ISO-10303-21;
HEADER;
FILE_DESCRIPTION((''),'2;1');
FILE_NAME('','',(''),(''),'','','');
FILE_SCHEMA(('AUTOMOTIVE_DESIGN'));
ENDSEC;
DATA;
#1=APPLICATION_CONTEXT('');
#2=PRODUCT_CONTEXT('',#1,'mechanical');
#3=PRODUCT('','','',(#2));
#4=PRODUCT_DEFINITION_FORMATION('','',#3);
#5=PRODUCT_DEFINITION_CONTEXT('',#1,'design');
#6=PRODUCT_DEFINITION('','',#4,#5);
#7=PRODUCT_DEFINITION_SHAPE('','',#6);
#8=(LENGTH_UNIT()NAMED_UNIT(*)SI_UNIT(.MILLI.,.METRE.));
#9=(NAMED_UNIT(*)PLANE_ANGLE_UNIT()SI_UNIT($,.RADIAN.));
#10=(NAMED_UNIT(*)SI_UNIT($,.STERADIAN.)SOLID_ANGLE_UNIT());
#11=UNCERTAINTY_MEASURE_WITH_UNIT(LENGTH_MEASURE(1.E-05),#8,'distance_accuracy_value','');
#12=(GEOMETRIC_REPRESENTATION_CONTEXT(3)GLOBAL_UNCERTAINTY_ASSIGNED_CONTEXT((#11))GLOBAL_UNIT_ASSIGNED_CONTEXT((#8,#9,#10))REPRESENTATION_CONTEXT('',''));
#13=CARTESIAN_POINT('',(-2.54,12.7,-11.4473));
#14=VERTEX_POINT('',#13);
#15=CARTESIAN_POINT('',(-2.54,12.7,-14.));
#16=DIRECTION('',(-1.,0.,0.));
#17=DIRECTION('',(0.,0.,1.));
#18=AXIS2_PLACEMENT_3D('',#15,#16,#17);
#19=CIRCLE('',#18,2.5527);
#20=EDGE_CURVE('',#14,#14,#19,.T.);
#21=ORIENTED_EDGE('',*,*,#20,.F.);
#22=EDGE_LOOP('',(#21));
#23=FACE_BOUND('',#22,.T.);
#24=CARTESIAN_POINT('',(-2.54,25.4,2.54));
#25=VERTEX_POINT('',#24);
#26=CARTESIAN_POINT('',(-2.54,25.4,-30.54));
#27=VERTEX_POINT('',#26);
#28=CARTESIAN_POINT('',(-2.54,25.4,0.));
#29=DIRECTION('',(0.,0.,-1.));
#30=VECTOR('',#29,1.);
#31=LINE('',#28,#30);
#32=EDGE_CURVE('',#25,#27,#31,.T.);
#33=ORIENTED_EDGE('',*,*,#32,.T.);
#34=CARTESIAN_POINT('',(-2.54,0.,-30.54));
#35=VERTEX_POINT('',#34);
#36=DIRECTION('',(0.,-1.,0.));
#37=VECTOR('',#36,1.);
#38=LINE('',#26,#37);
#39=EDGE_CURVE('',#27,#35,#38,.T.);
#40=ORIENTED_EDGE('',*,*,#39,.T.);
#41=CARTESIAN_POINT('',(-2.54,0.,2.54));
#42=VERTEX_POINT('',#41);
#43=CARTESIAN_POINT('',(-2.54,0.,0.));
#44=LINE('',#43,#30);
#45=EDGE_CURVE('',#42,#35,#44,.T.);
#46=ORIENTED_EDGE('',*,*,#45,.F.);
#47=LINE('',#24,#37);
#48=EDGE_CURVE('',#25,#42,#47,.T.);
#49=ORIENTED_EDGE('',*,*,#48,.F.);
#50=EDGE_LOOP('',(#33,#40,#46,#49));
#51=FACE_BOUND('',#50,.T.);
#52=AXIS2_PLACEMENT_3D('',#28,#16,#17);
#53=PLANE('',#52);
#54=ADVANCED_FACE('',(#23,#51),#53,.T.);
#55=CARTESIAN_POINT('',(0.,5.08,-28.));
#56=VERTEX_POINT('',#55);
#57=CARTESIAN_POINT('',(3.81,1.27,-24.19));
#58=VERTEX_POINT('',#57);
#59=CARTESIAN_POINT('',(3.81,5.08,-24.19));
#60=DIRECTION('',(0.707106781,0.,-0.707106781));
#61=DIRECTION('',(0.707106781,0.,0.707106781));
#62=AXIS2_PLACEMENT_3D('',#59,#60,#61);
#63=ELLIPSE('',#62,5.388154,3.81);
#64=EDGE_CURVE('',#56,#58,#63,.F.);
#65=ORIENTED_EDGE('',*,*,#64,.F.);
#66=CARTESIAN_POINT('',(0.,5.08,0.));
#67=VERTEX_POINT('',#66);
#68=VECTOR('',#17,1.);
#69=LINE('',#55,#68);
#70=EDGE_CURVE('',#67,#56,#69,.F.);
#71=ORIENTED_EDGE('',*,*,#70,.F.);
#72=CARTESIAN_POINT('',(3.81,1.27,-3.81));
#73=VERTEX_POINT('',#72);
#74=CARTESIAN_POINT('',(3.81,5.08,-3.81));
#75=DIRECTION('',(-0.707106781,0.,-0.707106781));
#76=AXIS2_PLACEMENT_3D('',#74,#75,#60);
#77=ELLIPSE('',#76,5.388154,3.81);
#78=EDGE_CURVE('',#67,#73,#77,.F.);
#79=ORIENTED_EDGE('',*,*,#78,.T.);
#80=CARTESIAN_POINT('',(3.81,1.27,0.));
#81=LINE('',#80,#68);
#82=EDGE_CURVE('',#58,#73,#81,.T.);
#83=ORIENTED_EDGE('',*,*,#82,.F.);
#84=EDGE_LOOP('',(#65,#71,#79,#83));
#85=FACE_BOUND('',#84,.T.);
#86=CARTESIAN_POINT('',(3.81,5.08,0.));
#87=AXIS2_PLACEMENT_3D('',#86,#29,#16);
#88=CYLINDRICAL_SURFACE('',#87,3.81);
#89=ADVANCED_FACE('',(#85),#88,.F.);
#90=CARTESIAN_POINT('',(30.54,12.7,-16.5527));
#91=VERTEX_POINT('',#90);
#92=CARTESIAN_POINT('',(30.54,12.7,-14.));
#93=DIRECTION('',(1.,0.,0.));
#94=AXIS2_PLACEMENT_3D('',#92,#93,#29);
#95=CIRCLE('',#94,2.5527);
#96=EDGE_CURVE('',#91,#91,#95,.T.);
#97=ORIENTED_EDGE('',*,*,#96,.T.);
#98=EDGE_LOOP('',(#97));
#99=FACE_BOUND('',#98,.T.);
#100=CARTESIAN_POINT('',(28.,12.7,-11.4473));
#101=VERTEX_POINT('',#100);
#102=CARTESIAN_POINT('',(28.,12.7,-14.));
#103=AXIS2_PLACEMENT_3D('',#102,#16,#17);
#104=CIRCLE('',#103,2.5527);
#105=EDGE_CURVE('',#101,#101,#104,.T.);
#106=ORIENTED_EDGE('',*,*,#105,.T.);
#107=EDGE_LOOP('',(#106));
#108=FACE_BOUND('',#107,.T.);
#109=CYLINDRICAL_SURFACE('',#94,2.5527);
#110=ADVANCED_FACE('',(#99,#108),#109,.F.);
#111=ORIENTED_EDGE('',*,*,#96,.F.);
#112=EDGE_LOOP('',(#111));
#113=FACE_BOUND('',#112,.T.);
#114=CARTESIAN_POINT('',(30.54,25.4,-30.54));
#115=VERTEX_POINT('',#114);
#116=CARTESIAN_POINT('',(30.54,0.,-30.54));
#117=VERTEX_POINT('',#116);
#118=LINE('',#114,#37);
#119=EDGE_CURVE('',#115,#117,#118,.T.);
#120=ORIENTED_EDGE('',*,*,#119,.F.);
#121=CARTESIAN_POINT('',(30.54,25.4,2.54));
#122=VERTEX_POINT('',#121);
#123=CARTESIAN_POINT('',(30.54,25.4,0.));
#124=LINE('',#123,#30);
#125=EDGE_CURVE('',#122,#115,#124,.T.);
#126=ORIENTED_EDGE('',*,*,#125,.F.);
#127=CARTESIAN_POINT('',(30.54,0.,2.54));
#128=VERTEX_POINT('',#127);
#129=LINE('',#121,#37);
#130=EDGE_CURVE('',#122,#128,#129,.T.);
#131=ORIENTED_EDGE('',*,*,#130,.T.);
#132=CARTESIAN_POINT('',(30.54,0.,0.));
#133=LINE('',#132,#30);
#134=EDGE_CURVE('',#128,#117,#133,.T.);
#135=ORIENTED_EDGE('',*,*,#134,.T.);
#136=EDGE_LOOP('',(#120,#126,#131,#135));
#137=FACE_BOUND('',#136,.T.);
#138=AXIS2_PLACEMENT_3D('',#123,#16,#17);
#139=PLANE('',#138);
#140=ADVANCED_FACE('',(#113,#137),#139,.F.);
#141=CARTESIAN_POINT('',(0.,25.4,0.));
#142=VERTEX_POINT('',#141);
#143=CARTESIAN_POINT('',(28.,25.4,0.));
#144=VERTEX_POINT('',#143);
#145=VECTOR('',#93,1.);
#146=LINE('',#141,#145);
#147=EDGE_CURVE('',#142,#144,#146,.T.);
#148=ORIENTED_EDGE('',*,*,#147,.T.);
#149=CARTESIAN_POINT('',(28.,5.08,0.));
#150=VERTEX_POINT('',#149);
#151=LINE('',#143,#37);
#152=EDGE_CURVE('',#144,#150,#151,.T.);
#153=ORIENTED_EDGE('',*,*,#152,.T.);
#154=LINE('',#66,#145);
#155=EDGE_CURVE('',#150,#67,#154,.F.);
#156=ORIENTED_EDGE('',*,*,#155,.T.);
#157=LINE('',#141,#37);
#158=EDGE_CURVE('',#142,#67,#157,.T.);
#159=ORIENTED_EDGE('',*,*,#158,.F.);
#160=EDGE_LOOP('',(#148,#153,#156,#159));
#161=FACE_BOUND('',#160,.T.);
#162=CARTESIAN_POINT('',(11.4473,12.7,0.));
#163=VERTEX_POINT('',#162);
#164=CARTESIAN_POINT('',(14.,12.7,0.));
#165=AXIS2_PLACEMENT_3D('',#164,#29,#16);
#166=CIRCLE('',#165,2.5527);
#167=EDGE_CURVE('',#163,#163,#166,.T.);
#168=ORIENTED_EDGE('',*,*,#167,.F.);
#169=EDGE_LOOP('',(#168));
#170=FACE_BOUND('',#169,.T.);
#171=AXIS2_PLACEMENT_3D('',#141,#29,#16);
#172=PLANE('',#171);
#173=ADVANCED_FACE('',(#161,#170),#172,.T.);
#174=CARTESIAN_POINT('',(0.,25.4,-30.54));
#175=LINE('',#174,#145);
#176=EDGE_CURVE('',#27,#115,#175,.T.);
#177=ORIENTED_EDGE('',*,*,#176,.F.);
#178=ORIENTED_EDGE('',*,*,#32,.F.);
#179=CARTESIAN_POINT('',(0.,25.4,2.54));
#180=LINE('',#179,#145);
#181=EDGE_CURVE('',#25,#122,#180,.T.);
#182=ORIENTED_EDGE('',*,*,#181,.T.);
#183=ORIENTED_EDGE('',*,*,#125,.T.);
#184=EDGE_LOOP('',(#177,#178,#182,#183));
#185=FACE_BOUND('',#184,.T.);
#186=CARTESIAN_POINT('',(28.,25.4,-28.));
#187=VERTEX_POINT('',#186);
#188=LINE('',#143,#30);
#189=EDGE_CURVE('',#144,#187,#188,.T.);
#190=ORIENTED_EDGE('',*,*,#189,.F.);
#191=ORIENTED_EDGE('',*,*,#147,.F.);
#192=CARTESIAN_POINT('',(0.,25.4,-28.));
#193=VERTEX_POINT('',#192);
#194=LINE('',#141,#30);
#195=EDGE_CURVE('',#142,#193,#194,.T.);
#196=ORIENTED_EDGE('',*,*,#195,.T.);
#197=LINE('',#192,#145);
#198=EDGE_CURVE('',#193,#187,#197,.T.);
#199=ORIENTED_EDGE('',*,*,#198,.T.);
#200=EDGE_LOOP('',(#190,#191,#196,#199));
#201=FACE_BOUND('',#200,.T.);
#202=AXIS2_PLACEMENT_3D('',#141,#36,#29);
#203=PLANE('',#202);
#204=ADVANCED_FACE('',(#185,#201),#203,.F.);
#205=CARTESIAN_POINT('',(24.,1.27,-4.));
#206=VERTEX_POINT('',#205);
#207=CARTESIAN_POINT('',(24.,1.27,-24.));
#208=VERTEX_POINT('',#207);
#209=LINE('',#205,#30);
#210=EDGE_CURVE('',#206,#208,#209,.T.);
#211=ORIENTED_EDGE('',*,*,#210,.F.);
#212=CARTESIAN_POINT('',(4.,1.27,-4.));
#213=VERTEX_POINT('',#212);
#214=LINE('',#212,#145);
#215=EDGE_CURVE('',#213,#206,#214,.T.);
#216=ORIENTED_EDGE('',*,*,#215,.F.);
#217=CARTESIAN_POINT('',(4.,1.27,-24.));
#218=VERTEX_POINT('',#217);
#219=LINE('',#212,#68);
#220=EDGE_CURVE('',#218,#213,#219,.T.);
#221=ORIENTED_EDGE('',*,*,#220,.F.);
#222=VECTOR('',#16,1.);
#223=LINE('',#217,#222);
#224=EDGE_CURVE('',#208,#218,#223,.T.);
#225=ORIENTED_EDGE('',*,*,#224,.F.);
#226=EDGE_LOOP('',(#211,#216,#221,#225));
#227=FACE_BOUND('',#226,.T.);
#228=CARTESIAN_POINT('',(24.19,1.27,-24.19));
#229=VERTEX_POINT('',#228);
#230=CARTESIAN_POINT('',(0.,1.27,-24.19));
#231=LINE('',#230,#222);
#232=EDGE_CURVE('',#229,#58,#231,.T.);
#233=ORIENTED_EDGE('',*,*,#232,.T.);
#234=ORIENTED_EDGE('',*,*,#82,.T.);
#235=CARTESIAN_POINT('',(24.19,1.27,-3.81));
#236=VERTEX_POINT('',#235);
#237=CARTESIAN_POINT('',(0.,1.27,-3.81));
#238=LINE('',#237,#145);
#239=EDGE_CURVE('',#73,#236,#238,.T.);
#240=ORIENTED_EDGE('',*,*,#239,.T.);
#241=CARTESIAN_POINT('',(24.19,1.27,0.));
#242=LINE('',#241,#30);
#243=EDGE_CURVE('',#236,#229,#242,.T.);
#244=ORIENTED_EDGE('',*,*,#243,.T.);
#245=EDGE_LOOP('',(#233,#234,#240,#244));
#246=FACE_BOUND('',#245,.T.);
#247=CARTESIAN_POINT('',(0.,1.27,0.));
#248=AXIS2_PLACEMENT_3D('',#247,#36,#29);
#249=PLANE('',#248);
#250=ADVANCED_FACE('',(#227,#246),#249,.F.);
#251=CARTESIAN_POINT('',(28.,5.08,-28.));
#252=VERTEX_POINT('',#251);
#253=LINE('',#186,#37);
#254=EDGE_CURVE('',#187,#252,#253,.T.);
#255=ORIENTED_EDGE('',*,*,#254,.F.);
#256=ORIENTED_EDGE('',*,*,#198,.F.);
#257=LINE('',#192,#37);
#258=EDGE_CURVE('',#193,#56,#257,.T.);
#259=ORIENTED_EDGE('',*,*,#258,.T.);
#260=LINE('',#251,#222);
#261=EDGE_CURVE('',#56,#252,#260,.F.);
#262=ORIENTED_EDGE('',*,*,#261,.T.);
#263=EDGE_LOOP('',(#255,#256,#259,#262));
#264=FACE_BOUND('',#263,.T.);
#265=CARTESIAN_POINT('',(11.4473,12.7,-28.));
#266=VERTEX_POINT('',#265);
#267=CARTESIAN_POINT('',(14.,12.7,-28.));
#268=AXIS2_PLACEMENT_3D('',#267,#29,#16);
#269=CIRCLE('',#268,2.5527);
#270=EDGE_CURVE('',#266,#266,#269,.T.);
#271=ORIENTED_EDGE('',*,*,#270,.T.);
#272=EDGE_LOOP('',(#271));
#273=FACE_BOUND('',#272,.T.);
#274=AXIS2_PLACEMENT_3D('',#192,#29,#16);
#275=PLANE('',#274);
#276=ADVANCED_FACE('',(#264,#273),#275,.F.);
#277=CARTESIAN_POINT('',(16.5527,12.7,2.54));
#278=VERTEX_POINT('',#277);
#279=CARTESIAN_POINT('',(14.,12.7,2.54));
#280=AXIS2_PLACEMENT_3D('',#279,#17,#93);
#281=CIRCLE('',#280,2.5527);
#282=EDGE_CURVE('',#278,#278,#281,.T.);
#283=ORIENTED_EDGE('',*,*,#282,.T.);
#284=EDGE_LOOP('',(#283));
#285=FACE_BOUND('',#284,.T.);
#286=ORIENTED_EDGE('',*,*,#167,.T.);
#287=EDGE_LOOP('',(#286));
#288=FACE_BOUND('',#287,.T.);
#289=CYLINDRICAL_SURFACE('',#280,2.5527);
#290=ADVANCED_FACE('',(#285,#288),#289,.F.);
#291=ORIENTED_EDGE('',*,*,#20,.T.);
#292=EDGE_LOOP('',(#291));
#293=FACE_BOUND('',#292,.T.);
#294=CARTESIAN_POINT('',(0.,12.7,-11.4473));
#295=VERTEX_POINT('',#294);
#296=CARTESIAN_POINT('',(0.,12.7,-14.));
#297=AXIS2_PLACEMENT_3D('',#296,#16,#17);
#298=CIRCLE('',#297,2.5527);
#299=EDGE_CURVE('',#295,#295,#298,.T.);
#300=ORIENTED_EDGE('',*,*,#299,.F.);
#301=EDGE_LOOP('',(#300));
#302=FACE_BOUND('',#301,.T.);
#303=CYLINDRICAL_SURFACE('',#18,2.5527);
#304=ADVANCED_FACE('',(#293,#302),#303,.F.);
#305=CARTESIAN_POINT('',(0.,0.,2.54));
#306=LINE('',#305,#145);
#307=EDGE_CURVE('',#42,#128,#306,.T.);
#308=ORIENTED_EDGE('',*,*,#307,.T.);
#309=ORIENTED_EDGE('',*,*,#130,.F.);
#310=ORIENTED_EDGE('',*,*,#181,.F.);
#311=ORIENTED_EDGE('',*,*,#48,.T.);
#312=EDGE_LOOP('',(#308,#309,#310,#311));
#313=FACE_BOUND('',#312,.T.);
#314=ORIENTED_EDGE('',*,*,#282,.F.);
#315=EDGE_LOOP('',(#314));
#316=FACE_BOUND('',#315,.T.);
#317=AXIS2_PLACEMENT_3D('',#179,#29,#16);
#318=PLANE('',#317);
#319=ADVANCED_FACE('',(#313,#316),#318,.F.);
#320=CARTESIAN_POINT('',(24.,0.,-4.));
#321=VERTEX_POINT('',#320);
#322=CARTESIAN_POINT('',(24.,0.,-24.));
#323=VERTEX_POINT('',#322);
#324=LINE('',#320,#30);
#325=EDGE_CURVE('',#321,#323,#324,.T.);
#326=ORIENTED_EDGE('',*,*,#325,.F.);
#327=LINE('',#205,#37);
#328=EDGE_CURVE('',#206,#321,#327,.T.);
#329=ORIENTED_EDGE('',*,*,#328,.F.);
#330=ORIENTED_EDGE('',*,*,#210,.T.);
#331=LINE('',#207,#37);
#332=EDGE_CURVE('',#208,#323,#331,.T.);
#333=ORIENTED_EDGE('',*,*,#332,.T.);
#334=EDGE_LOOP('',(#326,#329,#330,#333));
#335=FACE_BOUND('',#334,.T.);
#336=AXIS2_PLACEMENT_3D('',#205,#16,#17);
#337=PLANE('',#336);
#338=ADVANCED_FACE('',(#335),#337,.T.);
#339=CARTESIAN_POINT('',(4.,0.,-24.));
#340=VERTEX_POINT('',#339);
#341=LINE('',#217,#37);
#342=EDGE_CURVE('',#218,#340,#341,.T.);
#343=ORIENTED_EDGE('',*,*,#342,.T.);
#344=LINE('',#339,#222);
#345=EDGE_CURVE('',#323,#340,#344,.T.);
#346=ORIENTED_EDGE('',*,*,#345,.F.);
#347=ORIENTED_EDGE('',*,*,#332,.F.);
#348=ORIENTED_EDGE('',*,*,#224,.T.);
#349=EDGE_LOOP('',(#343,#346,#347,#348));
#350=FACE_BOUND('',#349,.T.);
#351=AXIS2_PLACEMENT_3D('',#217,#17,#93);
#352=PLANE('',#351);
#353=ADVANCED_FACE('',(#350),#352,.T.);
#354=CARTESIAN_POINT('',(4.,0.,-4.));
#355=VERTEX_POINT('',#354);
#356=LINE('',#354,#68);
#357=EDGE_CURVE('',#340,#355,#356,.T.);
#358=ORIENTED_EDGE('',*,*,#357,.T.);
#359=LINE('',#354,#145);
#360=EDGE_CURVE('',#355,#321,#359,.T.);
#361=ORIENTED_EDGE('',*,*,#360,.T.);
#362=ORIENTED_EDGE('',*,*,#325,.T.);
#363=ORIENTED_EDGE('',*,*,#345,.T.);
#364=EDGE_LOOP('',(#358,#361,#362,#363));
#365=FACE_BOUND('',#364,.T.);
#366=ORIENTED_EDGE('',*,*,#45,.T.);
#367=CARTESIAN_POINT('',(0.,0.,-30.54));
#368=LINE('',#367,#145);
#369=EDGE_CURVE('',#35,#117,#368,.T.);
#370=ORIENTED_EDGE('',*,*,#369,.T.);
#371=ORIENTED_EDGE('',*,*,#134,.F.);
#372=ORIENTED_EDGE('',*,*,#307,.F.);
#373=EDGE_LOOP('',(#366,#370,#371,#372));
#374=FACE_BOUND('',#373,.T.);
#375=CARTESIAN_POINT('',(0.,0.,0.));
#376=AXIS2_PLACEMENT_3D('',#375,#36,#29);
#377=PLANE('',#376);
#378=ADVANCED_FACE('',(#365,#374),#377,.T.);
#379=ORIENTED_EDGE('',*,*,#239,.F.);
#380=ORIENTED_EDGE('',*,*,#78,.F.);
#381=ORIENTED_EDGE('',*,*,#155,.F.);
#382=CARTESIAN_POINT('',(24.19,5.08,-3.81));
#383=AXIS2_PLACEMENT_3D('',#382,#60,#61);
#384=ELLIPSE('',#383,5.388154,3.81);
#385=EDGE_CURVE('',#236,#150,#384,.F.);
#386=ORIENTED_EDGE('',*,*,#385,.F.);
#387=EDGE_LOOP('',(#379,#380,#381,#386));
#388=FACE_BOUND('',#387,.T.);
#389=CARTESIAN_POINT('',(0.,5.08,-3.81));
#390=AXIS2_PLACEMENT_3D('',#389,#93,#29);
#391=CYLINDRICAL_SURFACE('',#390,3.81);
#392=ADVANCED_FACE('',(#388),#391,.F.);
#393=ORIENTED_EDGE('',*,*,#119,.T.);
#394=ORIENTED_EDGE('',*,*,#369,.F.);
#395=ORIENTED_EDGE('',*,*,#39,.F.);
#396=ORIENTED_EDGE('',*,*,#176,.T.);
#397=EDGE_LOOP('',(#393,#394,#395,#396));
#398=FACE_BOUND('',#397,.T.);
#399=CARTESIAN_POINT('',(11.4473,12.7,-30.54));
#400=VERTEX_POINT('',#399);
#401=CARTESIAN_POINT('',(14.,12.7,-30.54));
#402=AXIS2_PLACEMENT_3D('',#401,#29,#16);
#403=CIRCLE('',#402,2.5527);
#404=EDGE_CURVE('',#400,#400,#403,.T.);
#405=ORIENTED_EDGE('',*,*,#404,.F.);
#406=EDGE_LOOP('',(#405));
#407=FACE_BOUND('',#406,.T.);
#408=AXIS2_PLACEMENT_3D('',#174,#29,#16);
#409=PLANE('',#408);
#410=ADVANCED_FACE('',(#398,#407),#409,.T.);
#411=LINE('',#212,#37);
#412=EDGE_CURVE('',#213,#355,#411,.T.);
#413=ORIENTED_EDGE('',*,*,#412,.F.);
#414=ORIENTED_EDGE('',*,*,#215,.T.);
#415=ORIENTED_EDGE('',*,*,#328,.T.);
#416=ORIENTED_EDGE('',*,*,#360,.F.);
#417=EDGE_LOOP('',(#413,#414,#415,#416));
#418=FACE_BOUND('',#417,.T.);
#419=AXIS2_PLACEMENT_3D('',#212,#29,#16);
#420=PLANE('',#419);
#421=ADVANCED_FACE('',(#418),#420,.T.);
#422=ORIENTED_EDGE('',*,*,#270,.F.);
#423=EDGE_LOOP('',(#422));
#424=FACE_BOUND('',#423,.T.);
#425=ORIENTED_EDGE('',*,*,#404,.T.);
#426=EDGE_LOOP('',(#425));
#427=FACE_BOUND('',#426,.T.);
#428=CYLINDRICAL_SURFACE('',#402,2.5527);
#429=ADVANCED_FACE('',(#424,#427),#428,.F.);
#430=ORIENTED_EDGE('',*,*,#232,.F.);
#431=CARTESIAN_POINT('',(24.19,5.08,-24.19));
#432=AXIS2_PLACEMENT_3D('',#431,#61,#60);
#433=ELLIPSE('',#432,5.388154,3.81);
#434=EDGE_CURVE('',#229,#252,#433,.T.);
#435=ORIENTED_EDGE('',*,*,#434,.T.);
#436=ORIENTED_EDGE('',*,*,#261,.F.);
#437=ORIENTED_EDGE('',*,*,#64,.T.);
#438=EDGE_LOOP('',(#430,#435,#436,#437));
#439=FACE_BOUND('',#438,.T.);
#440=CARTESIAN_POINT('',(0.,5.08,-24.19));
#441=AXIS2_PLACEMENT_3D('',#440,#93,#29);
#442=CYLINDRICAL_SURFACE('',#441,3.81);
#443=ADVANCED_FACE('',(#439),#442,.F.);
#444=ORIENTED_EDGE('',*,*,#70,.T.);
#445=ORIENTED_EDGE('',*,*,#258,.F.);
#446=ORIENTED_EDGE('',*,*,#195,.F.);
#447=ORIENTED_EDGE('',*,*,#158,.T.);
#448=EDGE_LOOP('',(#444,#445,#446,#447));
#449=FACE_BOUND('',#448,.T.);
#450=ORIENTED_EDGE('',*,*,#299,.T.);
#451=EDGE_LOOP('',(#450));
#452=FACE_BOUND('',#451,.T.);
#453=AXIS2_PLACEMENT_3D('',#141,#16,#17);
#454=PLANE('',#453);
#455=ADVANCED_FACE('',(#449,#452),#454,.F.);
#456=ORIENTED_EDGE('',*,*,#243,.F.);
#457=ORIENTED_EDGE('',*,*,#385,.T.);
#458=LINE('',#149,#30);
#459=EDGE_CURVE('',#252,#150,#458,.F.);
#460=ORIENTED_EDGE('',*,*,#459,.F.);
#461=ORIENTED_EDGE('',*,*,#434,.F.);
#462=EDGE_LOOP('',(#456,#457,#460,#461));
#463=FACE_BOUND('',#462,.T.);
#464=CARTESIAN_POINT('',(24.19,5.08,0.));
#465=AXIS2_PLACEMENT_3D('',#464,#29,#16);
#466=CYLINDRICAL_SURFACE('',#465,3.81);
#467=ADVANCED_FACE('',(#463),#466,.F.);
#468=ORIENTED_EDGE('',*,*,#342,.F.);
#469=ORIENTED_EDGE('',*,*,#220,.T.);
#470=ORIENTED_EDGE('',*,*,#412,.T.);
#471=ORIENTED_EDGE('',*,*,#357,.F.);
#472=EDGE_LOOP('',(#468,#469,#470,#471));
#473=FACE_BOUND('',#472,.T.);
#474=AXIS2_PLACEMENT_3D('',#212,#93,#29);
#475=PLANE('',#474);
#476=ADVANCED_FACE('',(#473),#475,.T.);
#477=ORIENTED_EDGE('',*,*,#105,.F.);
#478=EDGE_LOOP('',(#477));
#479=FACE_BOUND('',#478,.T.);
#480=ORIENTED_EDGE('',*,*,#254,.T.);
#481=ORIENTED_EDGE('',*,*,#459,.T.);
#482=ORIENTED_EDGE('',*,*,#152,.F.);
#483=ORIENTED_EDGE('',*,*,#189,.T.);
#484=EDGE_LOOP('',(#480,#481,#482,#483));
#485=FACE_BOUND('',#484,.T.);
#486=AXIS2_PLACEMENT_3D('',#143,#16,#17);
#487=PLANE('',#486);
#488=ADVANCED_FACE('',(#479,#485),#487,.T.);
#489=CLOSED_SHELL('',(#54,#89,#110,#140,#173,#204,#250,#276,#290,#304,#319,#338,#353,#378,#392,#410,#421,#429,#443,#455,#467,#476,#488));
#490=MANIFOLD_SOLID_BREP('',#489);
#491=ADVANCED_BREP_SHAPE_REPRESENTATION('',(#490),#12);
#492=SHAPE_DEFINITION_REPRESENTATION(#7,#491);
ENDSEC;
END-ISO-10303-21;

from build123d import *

# Parameters (mm, degrees)
SKETCH1_W           = 33.08
SKETCH1_H           = 33.08
SKETCH1_W_2         = 28
SKETCH1_H_2         = 28
EXTRUDE_THIN1_DEPTH = 25.4
CIRPATTERN1_COUNT   = 4
SKETCH1_3_W         = 28
SKETCH1_3_H         = 28
SKETCH1_3_W_2       = 20
SKETCH1_3_H_2       = 20
BOSS_EXTRUDE1_DEPTH = 1.27
FILLET1_R           = 3.81


with BuildPart() as part:
    # Sketch1 → Extrude-Thin1 (new body)
    with BuildSketch(Plane(origin=(0, 0, 0), x_dir=(1, 0, 0), z_dir=(0, 1, 0))):
        with Locations((14, 14)):
            Rectangle(SKETCH1_W, SKETCH1_H)
        with Locations((14, 14)):
            Rectangle(SKETCH1_W_2, SKETCH1_H_2, mode=Mode.SUBTRACT)
    extrude(amount=EXTRUDE_THIN1_DEPTH)

    # Sketch9 → Tap Drill for 1/4-20 Tap2 (revolve, cut)
    with BuildSketch(Plane(origin=(14, 12.7, 2.54), x_dir=(0, -1, 0), z_dir=(1, 0, 0))):
        Polygon((0, 0), (0, 9.153816902), (2.5527, 7.62), (2.5527, 0), align=None)
    tap_drill_for_1_4_20_tap2 = revolve(axis=Axis((14, 12.7, 8.89), (0, 0, -1)), mode=Mode.SUBTRACT)

    # CirPattern1: Tap Drill for 1/4-20 Tap2 ×4 about axis
    cirpattern1_axis = Axis((14, -1.27, -14), (0, 1, 0))
    for i in range(1, CIRPATTERN1_COUNT):
        add(tap_drill_for_1_4_20_tap2.rotate(cirpattern1_axis, i * 360 / CIRPATTERN1_COUNT), mode=Mode.SUBTRACT)

    # Sketch1<3> → Boss-Extrude1 (add)
    with BuildSketch(Plane(origin=(0, 0, 0), x_dir=(1, 0, 0), z_dir=(0, 1, 0))):
        with Locations((14, 14)):
            Rectangle(SKETCH1_3_W, SKETCH1_3_H)
        with Locations((14, 14)):
            Rectangle(SKETCH1_3_W_2, SKETCH1_3_H_2, mode=Mode.SUBTRACT)
    extrude(amount=BOSS_EXTRUDE1_DEPTH)

    # Fillet1
    fillet1_edges = [part.edges().sort_by_distance(p)[0] for p in [
        (0, 1.27, -14),
        (14, 1.27, 0),
        (28, 1.27, -14),
        (14, 1.27, -28),
    ]]
    fillet(fillet1_edges, radius=FILLET1_R)


solid = part.part
